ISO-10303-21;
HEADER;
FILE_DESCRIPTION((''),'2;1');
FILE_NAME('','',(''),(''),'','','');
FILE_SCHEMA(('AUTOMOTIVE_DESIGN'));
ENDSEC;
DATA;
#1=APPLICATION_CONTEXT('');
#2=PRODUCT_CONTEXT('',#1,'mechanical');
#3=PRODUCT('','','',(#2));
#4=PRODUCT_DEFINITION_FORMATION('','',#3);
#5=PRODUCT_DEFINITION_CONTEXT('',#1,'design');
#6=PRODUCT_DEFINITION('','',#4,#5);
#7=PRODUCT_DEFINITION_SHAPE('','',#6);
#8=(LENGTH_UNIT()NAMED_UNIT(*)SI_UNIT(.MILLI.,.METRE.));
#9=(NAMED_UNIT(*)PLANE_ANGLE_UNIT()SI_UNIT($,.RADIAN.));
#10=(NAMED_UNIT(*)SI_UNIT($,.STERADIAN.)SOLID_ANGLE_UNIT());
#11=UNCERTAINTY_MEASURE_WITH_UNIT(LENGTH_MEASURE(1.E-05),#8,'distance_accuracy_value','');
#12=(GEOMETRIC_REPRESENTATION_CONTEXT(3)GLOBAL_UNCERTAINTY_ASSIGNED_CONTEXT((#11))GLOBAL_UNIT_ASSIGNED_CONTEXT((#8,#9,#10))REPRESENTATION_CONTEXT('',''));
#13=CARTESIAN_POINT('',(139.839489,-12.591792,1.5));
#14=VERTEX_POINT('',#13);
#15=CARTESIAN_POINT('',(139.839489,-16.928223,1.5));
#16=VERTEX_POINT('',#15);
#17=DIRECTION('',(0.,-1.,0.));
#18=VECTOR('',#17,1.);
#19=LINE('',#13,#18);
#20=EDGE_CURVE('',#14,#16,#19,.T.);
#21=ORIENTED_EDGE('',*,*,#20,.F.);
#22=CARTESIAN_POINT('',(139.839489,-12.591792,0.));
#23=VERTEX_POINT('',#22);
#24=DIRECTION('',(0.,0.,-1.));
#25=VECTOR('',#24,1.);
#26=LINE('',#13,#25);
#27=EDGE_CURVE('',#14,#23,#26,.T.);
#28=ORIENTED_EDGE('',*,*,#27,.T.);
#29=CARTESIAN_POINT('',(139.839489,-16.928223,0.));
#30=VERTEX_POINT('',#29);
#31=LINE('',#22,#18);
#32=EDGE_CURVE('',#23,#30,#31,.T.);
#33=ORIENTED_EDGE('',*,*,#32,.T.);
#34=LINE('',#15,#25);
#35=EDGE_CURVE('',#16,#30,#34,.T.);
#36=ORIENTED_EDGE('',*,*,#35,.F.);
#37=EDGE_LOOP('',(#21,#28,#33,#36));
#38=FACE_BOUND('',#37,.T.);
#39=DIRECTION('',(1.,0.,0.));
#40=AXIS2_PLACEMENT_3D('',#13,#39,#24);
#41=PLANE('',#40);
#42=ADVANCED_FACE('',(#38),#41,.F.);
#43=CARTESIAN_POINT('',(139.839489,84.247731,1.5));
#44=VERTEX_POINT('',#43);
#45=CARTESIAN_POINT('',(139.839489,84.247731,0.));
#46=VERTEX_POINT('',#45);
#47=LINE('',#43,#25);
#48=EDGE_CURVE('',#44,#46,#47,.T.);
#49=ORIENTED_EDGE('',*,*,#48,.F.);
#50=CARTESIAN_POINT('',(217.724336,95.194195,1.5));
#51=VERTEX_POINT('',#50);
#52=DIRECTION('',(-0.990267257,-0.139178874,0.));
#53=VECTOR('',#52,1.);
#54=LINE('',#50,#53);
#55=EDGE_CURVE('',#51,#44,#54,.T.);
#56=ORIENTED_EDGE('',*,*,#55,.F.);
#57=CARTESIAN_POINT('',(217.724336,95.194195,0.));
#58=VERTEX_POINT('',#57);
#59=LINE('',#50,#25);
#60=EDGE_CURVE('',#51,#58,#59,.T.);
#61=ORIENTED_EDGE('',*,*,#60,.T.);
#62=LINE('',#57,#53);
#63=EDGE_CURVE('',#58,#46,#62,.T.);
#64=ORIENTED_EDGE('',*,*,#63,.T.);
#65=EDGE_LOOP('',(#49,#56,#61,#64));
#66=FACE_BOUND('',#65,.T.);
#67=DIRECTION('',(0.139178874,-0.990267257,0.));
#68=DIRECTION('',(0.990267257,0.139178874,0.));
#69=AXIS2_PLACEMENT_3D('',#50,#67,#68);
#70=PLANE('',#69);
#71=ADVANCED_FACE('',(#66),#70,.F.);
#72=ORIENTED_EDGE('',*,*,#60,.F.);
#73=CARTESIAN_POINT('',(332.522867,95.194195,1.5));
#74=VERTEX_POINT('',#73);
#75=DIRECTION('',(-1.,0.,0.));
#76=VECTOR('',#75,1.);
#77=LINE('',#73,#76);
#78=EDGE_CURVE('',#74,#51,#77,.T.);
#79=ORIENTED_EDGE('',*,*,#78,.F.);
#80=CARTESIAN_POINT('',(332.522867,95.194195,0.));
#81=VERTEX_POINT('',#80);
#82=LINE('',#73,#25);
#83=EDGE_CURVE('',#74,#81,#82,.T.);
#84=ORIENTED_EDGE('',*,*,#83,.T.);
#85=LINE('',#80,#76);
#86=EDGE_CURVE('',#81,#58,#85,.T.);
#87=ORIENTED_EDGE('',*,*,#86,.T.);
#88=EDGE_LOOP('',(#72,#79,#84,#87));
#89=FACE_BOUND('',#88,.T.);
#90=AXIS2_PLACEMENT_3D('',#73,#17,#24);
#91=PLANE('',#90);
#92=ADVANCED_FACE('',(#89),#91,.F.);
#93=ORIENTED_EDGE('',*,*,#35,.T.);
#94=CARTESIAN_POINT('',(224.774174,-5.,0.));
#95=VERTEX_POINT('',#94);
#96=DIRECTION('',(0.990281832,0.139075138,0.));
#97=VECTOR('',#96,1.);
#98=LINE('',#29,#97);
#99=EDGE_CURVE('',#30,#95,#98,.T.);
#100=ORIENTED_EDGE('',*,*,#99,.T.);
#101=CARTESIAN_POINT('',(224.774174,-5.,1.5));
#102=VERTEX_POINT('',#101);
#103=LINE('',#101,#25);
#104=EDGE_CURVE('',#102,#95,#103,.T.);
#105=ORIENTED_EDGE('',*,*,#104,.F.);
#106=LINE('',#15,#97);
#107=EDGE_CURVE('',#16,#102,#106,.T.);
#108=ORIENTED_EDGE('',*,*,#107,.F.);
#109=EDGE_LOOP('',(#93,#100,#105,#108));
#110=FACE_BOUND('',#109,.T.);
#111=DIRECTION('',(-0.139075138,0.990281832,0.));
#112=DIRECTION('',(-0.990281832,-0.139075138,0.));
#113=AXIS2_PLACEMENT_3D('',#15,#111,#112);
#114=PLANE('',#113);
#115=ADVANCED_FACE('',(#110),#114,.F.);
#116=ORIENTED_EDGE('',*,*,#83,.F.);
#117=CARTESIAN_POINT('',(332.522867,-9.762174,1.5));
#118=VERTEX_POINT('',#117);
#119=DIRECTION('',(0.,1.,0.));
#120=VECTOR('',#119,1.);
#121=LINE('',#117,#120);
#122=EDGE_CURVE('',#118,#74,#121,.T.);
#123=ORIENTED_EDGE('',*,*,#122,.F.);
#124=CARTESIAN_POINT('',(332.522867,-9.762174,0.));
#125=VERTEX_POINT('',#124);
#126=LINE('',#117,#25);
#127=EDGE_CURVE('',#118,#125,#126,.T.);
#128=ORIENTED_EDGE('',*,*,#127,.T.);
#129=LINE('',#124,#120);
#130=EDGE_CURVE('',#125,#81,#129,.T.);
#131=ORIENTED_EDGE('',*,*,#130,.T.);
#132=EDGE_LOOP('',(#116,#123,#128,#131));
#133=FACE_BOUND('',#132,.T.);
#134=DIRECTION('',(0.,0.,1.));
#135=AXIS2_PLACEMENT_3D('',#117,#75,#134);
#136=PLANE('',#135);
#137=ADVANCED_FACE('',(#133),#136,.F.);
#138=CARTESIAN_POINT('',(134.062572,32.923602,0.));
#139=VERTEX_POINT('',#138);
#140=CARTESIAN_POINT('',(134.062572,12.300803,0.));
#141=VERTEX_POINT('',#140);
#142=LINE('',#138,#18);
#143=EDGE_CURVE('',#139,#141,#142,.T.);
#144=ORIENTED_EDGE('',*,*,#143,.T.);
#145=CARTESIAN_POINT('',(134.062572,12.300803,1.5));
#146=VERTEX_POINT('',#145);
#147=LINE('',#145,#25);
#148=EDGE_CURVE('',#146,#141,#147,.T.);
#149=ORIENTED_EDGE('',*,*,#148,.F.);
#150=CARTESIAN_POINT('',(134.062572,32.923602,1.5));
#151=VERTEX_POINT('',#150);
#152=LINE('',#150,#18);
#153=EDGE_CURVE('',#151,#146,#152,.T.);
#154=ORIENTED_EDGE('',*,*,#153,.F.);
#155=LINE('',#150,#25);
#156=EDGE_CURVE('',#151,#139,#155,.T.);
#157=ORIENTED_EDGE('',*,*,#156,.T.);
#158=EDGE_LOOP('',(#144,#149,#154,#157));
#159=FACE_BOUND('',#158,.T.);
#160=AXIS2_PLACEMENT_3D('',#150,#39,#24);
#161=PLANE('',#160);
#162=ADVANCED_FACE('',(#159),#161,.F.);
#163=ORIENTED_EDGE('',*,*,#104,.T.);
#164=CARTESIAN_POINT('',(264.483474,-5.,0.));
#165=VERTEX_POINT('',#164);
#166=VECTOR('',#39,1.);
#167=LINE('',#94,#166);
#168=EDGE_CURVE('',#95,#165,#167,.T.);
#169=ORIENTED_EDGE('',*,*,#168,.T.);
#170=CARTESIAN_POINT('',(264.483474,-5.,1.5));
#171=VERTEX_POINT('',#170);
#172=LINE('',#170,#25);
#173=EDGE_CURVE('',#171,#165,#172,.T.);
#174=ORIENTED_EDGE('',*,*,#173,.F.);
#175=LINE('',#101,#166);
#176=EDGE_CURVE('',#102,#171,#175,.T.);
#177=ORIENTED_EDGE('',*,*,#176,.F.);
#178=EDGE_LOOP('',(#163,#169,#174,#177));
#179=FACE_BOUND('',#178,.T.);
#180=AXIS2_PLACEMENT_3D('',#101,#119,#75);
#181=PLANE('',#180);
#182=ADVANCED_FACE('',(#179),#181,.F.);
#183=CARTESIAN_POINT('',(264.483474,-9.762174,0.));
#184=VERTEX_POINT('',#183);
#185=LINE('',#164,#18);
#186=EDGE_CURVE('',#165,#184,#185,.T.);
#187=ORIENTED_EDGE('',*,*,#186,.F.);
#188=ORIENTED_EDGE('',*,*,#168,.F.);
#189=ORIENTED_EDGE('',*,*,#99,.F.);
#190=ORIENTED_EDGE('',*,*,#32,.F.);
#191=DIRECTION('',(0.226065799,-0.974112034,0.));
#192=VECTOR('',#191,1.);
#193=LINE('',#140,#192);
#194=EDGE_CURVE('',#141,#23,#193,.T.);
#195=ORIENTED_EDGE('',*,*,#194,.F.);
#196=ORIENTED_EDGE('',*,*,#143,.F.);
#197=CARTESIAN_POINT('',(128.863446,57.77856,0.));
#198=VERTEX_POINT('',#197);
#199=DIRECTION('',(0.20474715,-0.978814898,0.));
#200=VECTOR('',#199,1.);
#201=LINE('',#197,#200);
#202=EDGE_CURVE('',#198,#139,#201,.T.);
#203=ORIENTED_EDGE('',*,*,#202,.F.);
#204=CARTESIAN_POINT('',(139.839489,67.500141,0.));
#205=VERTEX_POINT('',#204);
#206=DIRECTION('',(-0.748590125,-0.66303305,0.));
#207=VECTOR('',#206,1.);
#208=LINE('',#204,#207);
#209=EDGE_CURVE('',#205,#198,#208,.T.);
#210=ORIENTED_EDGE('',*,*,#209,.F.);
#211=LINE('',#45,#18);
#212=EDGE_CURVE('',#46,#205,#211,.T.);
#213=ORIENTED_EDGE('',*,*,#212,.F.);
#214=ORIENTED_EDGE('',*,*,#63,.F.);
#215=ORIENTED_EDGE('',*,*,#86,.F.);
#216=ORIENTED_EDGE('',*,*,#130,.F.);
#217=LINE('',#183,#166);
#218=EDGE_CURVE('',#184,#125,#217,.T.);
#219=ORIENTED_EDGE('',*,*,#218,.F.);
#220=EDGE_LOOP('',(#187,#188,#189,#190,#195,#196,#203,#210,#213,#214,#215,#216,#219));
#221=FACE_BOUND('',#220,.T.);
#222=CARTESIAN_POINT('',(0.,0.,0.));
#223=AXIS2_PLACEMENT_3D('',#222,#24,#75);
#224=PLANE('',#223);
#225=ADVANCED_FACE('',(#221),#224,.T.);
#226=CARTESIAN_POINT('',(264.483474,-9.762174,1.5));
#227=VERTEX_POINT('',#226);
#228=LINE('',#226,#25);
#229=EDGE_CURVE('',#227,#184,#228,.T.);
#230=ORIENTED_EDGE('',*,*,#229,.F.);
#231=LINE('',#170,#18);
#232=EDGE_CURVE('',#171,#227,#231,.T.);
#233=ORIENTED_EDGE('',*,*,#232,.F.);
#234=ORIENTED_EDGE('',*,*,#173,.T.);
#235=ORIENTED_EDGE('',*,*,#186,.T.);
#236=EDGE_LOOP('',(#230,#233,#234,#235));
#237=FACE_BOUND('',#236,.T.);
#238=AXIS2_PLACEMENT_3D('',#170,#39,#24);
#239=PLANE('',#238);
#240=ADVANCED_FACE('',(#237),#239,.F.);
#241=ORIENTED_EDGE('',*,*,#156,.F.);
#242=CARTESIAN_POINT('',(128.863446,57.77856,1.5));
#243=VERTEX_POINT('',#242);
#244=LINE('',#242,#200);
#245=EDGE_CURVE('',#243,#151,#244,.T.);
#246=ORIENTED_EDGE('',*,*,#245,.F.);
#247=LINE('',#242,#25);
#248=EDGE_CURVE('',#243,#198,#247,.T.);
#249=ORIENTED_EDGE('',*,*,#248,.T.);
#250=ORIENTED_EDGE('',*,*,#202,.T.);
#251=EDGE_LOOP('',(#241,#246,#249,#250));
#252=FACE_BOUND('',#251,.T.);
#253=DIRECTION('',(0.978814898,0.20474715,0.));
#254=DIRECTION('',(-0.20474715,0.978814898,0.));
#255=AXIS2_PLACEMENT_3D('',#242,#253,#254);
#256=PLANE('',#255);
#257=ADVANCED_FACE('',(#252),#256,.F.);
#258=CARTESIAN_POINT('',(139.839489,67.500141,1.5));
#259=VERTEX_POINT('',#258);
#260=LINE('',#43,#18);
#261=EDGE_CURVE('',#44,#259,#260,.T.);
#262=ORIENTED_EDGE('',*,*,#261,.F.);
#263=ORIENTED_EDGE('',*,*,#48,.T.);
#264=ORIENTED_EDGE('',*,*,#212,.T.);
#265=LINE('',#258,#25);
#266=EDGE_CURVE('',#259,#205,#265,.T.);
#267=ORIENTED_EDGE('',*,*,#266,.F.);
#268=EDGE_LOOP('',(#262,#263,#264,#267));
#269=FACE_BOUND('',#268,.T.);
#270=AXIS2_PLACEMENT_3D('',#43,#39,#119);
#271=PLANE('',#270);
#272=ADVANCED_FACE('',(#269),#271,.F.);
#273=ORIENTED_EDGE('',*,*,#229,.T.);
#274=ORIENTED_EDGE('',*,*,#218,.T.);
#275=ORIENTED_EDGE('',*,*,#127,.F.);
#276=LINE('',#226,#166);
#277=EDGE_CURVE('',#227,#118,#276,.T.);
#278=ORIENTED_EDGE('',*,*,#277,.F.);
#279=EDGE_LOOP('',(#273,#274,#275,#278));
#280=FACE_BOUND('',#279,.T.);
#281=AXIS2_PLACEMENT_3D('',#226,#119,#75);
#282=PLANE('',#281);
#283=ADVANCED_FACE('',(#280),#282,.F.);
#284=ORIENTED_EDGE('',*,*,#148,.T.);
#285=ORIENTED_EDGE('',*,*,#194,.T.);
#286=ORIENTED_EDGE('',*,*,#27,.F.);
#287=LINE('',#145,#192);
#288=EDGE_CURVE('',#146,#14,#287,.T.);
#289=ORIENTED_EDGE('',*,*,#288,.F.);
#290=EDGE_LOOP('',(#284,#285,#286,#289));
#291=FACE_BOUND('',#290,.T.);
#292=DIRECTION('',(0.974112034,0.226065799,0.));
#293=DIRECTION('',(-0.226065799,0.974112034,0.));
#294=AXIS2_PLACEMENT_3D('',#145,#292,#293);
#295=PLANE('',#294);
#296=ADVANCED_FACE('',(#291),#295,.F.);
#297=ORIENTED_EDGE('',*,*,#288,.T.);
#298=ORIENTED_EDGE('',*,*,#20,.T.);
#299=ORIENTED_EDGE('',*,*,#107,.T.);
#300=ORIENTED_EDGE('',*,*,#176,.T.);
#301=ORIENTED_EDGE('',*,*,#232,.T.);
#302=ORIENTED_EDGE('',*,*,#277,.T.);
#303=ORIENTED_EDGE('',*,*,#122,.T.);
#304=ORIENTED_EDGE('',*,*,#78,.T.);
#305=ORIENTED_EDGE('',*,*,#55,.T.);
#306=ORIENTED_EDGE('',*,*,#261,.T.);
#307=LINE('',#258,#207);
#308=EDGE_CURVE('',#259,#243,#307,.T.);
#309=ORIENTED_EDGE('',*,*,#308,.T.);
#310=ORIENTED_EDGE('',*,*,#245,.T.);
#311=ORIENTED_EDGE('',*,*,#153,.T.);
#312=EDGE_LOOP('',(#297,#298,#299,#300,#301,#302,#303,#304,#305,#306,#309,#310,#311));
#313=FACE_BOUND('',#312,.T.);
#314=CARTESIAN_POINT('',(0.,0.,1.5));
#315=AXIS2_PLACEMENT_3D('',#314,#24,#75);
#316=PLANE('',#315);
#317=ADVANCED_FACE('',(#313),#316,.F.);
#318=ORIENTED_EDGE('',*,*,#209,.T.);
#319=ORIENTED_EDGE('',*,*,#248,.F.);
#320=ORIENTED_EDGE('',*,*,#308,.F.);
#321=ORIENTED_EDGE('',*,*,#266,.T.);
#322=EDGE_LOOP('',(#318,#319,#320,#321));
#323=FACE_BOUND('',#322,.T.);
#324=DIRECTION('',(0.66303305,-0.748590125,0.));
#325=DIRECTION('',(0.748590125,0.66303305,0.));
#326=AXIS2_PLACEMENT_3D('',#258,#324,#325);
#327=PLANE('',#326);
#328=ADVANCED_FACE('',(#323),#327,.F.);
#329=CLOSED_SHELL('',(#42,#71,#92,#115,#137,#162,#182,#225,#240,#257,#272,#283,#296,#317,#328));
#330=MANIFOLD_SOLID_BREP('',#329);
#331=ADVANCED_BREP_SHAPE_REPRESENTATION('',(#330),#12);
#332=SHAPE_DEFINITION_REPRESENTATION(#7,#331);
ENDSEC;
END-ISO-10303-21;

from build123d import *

# Parameters (mm, degrees)
BOSS_EXTRUDE1_DEPTH = 1.5


with BuildPart() as part:
    # Sketch1 → Boss-Extrude1 (new body)
    with BuildSketch(Plane.XY):
        Polygon((134.062572146, 32.923601974), (134.062572146, 12.300802869), (139.839489186, -12.591792214), (139.839489186, -16.928223482), (224.774174162, -5), (264.483473527, -5), (264.483473527, -9.762174065), (332.522866793, -9.762174065), (332.522866793, 95.194195075), (217.724335712, 95.194195075), (139.839489186, 84.247730748), (139.839489186, 67.500140575), (128.863446306, 57.778560046), align=None)
    extrude(amount=BOSS_EXTRUDE1_DEPTH)


solid = part.part
